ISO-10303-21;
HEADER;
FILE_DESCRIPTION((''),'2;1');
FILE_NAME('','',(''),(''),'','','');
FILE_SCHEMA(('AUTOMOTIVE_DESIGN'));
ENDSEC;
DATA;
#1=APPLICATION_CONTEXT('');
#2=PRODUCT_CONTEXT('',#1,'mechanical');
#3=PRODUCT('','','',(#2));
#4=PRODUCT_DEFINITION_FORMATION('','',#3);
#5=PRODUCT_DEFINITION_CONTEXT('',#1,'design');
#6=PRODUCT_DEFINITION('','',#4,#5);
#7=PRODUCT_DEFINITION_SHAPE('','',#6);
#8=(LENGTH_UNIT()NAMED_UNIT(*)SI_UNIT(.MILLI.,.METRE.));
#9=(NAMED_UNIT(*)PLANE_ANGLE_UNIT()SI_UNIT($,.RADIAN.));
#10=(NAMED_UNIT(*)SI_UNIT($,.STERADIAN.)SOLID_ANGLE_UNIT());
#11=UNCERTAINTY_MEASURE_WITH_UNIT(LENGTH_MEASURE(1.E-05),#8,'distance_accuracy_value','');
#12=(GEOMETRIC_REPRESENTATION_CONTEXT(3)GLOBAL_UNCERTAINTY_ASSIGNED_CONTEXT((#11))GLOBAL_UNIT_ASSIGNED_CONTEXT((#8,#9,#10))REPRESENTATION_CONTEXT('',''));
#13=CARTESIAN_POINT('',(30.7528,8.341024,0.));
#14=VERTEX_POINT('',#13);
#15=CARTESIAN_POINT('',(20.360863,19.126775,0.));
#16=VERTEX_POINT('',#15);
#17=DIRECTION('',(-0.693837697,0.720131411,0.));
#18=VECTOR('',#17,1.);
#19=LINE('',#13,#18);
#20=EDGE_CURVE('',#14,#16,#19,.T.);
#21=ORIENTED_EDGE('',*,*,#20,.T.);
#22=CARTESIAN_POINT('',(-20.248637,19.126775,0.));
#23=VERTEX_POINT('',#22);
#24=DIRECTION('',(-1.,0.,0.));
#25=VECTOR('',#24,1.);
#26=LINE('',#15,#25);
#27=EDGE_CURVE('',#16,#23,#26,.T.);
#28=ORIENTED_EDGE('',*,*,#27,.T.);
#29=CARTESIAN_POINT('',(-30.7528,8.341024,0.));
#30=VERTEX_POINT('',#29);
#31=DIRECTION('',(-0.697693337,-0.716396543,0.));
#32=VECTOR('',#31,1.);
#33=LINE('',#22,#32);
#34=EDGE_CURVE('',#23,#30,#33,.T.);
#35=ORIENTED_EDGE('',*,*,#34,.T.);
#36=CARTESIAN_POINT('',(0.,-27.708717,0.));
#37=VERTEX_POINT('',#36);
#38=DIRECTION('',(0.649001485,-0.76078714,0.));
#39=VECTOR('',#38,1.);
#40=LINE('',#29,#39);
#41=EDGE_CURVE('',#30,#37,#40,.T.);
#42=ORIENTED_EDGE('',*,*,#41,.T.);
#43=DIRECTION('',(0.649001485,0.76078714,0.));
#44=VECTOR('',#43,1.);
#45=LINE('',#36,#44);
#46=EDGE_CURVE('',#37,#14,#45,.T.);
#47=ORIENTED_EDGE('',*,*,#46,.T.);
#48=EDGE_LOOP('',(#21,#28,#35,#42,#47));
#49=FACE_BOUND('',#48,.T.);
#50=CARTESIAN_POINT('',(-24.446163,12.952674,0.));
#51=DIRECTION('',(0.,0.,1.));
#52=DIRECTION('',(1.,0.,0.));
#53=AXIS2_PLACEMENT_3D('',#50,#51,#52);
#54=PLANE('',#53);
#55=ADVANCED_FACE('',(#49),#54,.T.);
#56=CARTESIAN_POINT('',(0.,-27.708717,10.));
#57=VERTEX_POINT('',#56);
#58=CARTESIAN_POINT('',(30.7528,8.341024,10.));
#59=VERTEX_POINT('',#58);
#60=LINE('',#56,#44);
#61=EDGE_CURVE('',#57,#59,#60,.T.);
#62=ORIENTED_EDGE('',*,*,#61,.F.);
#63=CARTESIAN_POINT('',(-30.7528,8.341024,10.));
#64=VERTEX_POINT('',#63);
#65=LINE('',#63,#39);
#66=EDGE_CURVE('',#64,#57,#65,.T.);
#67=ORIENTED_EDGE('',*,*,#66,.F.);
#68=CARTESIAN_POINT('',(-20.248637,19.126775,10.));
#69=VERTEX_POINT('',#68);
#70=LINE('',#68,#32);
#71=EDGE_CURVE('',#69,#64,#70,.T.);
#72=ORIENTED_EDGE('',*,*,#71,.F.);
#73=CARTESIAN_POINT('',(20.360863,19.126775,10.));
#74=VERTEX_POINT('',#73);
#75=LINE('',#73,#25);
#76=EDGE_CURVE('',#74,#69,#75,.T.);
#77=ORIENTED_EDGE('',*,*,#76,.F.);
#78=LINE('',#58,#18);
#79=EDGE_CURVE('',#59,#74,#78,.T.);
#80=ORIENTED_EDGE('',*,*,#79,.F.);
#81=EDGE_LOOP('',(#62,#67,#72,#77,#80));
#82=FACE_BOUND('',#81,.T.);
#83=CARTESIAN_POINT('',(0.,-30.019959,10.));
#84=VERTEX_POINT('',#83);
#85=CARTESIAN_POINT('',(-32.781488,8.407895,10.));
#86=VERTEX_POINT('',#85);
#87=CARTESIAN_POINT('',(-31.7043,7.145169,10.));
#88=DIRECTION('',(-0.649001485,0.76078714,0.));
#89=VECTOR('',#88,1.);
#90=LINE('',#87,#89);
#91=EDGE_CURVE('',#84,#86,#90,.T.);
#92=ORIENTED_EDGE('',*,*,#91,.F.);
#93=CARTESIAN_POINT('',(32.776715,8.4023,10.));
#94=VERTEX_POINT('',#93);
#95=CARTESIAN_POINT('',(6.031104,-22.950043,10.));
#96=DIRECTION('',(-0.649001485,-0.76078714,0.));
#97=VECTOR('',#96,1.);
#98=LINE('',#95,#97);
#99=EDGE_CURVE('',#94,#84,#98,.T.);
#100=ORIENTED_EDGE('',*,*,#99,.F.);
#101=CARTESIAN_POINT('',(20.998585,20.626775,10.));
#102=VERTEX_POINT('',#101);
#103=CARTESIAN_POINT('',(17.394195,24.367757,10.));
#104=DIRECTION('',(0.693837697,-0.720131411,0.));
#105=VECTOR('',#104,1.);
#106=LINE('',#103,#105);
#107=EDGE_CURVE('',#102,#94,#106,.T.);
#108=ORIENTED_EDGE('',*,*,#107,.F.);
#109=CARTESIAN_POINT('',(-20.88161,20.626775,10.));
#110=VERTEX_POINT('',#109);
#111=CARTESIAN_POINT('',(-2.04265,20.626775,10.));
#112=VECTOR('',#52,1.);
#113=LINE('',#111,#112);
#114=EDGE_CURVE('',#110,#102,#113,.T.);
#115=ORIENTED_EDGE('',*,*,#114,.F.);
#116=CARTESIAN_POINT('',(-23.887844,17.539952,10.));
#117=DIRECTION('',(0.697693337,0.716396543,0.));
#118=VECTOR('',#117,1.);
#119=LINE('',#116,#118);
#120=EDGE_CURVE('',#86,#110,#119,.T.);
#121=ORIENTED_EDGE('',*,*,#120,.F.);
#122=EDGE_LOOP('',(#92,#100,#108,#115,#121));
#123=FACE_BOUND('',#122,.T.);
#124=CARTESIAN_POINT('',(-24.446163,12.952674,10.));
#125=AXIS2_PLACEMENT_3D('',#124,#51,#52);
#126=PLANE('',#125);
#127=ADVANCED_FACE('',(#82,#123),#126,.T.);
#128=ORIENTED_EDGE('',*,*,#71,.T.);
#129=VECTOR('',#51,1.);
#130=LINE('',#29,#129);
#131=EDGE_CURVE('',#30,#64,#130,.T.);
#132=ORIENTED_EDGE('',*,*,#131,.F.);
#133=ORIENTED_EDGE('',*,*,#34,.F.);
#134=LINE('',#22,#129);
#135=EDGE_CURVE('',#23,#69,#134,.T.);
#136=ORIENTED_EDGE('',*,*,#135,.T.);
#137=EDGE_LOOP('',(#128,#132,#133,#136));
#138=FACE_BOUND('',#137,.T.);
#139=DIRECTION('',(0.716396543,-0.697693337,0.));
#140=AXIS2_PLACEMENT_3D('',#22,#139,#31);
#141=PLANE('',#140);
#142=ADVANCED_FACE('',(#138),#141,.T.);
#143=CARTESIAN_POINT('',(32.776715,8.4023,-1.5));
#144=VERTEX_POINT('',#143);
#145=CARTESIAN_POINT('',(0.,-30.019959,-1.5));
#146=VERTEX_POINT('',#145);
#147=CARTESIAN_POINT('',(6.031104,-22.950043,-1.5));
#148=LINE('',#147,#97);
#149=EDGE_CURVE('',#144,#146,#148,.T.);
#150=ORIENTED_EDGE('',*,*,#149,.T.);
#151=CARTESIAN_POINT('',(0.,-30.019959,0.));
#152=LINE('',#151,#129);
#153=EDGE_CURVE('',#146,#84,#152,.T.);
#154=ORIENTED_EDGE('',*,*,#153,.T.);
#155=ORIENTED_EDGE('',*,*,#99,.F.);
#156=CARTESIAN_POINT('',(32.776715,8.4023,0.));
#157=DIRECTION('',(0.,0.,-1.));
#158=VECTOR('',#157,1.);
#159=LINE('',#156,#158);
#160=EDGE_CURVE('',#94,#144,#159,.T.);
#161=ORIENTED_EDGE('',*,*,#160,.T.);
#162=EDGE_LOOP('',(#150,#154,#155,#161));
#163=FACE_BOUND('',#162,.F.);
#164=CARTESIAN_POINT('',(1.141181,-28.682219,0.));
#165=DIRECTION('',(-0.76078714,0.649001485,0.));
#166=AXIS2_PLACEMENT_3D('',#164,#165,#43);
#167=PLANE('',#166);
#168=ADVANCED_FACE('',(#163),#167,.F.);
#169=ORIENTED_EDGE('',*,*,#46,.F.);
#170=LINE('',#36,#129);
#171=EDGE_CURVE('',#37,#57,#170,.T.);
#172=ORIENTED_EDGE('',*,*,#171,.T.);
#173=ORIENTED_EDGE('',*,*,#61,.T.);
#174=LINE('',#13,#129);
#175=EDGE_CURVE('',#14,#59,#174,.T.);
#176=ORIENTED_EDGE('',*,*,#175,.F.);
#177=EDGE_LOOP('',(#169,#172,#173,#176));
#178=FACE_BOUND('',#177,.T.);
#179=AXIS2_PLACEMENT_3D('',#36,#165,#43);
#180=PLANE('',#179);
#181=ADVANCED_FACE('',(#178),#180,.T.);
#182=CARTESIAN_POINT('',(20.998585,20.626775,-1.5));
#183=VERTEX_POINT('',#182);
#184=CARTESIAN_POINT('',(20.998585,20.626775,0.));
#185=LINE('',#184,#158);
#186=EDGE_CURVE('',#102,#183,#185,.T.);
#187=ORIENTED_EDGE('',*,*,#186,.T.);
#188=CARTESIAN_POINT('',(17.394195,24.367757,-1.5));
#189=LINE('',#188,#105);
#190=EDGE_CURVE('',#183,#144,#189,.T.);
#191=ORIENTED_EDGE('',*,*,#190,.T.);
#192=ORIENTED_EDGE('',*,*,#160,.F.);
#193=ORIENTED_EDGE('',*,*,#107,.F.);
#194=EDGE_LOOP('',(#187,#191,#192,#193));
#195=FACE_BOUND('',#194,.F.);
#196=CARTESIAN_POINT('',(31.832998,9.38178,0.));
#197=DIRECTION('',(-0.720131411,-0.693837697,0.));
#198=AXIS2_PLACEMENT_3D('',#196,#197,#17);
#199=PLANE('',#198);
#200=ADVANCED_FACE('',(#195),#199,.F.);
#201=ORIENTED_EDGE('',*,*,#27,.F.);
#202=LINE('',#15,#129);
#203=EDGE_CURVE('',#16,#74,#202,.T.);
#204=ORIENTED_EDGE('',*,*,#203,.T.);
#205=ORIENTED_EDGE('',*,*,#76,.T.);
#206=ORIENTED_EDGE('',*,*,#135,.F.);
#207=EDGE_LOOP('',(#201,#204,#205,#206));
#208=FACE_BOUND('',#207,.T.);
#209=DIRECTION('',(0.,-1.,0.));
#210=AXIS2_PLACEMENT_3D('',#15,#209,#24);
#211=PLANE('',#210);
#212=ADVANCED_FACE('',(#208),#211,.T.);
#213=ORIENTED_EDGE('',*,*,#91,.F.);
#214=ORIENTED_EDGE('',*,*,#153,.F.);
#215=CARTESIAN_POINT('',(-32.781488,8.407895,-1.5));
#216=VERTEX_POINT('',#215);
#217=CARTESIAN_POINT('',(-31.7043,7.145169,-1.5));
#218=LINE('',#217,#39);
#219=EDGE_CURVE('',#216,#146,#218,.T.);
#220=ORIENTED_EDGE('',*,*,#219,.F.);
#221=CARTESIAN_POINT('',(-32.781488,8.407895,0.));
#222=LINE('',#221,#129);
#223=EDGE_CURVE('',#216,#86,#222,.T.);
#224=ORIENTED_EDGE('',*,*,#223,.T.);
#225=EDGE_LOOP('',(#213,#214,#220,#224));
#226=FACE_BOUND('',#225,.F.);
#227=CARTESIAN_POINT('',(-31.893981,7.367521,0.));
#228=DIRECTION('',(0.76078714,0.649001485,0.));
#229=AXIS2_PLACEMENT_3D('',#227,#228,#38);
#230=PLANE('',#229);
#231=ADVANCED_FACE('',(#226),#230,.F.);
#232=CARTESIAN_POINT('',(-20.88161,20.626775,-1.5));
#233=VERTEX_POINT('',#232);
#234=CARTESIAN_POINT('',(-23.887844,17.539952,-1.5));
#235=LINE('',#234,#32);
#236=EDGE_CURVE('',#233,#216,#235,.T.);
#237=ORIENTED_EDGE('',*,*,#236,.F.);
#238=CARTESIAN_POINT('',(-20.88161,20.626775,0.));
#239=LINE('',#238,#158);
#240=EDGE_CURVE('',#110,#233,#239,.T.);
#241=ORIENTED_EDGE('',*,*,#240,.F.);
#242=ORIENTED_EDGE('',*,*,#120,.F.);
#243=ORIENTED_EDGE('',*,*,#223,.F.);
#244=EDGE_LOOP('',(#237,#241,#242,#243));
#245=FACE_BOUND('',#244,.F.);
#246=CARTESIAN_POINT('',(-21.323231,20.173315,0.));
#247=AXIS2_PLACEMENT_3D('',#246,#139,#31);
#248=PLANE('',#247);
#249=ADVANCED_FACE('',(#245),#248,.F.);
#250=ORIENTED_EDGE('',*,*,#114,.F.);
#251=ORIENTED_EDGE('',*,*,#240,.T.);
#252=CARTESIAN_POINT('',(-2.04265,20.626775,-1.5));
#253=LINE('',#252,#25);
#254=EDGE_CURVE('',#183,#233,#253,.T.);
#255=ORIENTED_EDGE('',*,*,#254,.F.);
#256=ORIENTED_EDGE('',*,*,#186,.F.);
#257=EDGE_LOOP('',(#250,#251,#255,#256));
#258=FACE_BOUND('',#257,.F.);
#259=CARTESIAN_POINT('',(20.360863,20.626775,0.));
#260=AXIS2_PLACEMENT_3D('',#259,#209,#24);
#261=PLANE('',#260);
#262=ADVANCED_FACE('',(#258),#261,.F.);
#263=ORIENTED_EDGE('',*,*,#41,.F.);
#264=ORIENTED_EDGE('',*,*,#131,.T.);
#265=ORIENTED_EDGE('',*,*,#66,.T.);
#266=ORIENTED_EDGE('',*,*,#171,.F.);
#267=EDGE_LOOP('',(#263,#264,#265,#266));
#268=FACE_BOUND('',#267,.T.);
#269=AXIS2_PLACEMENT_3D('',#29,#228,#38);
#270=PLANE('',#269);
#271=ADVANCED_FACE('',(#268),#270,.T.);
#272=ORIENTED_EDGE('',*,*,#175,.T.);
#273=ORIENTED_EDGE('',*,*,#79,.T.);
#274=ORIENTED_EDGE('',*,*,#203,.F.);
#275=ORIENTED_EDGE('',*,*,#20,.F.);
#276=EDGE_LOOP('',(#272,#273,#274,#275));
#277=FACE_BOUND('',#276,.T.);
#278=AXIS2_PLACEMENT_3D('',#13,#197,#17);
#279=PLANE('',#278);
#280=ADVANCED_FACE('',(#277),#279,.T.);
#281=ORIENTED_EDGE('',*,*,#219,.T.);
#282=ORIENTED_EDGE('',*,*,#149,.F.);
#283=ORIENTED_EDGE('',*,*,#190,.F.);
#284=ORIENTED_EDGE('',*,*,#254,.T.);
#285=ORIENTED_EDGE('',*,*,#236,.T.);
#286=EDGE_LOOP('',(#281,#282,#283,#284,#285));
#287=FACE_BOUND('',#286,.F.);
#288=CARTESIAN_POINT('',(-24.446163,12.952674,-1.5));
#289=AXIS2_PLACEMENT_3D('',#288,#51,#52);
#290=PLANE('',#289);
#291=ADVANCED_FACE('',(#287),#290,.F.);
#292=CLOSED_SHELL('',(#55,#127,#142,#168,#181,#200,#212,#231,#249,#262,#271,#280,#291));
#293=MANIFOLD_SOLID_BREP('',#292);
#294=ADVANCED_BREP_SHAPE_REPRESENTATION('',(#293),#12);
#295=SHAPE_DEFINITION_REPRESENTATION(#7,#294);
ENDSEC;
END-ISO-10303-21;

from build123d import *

# Parameters (mm, degrees)
F1_DEPTH = 10
F2_DEPTH = 10
F3_T     = 1.5
F4_R     = 5.8821297936
F5_DEPTH = 25.4


with BuildPart() as f1:
    # F0 (on Top) → F1 (new body)
    with BuildSketch(Plane.XY):
        Polygon((0, 16.2254609168), (-19.0141089261, 16.2254609168), (-26.4055486768, 8.4195453674), (0, -22.3205629736), (26.4055486768, 8.4195453674), (19.0141089261, 16.2254609168), align=None)
    extrude(amount=F1_DEPTH)

    # F0 (on Top) → F2 (join)
    with BuildSketch(Plane.XY):
        Polygon((-19.0141089261, 16.2254609168), (-20.2486366034, 19.1267747432), (-30.752800405, 8.3410236984), (-26.4055486768, 8.4195453674), align=None)
        Polygon((20.3608628362, 19.1267747432), (-20.2486366034, 19.1267747432), (-19.0141089261, 16.2254609168), (0, 16.2254609168), (19.0141089261, 16.2254609168), align=None)
        Polygon((30.752800405, 8.3410236984), (20.3608628362, 19.1267747432), (19.0141089261, 16.2254609168), (26.4055486768, 8.4195453674), align=None)
        Polygon((0, -27.7087166905), (30.752800405, 8.3410236984), (26.4055486768, 8.4195453674), (0, -22.3205629736), align=None)
        Polygon((-26.4055486768, 8.4195453674), (-30.752800405, 8.3410236984), (0, -27.7087166905), (0, -22.3205629736), align=None)
    extrude(amount=F2_DEPTH)

    # F3
    f3_openings = [f1.faces().sort_by_distance(p)[0] for p in [
        (0.008676, 1.980184, 10),
    ]]
    offset(amount=F3_T, openings=f3_openings, kind=Kind.INTERSECTION)

    # F4 (on face) → F5 (cut)
    with BuildSketch(Plane(origin=(0, 0, -1.5), x_dir=(1, 0, 0), z_dir=(0, 0, -1))):
        Circle(F4_R)
    extrude(amount=F5_DEPTH, mode=Mode.SUBTRACT)


solid = f1.part
